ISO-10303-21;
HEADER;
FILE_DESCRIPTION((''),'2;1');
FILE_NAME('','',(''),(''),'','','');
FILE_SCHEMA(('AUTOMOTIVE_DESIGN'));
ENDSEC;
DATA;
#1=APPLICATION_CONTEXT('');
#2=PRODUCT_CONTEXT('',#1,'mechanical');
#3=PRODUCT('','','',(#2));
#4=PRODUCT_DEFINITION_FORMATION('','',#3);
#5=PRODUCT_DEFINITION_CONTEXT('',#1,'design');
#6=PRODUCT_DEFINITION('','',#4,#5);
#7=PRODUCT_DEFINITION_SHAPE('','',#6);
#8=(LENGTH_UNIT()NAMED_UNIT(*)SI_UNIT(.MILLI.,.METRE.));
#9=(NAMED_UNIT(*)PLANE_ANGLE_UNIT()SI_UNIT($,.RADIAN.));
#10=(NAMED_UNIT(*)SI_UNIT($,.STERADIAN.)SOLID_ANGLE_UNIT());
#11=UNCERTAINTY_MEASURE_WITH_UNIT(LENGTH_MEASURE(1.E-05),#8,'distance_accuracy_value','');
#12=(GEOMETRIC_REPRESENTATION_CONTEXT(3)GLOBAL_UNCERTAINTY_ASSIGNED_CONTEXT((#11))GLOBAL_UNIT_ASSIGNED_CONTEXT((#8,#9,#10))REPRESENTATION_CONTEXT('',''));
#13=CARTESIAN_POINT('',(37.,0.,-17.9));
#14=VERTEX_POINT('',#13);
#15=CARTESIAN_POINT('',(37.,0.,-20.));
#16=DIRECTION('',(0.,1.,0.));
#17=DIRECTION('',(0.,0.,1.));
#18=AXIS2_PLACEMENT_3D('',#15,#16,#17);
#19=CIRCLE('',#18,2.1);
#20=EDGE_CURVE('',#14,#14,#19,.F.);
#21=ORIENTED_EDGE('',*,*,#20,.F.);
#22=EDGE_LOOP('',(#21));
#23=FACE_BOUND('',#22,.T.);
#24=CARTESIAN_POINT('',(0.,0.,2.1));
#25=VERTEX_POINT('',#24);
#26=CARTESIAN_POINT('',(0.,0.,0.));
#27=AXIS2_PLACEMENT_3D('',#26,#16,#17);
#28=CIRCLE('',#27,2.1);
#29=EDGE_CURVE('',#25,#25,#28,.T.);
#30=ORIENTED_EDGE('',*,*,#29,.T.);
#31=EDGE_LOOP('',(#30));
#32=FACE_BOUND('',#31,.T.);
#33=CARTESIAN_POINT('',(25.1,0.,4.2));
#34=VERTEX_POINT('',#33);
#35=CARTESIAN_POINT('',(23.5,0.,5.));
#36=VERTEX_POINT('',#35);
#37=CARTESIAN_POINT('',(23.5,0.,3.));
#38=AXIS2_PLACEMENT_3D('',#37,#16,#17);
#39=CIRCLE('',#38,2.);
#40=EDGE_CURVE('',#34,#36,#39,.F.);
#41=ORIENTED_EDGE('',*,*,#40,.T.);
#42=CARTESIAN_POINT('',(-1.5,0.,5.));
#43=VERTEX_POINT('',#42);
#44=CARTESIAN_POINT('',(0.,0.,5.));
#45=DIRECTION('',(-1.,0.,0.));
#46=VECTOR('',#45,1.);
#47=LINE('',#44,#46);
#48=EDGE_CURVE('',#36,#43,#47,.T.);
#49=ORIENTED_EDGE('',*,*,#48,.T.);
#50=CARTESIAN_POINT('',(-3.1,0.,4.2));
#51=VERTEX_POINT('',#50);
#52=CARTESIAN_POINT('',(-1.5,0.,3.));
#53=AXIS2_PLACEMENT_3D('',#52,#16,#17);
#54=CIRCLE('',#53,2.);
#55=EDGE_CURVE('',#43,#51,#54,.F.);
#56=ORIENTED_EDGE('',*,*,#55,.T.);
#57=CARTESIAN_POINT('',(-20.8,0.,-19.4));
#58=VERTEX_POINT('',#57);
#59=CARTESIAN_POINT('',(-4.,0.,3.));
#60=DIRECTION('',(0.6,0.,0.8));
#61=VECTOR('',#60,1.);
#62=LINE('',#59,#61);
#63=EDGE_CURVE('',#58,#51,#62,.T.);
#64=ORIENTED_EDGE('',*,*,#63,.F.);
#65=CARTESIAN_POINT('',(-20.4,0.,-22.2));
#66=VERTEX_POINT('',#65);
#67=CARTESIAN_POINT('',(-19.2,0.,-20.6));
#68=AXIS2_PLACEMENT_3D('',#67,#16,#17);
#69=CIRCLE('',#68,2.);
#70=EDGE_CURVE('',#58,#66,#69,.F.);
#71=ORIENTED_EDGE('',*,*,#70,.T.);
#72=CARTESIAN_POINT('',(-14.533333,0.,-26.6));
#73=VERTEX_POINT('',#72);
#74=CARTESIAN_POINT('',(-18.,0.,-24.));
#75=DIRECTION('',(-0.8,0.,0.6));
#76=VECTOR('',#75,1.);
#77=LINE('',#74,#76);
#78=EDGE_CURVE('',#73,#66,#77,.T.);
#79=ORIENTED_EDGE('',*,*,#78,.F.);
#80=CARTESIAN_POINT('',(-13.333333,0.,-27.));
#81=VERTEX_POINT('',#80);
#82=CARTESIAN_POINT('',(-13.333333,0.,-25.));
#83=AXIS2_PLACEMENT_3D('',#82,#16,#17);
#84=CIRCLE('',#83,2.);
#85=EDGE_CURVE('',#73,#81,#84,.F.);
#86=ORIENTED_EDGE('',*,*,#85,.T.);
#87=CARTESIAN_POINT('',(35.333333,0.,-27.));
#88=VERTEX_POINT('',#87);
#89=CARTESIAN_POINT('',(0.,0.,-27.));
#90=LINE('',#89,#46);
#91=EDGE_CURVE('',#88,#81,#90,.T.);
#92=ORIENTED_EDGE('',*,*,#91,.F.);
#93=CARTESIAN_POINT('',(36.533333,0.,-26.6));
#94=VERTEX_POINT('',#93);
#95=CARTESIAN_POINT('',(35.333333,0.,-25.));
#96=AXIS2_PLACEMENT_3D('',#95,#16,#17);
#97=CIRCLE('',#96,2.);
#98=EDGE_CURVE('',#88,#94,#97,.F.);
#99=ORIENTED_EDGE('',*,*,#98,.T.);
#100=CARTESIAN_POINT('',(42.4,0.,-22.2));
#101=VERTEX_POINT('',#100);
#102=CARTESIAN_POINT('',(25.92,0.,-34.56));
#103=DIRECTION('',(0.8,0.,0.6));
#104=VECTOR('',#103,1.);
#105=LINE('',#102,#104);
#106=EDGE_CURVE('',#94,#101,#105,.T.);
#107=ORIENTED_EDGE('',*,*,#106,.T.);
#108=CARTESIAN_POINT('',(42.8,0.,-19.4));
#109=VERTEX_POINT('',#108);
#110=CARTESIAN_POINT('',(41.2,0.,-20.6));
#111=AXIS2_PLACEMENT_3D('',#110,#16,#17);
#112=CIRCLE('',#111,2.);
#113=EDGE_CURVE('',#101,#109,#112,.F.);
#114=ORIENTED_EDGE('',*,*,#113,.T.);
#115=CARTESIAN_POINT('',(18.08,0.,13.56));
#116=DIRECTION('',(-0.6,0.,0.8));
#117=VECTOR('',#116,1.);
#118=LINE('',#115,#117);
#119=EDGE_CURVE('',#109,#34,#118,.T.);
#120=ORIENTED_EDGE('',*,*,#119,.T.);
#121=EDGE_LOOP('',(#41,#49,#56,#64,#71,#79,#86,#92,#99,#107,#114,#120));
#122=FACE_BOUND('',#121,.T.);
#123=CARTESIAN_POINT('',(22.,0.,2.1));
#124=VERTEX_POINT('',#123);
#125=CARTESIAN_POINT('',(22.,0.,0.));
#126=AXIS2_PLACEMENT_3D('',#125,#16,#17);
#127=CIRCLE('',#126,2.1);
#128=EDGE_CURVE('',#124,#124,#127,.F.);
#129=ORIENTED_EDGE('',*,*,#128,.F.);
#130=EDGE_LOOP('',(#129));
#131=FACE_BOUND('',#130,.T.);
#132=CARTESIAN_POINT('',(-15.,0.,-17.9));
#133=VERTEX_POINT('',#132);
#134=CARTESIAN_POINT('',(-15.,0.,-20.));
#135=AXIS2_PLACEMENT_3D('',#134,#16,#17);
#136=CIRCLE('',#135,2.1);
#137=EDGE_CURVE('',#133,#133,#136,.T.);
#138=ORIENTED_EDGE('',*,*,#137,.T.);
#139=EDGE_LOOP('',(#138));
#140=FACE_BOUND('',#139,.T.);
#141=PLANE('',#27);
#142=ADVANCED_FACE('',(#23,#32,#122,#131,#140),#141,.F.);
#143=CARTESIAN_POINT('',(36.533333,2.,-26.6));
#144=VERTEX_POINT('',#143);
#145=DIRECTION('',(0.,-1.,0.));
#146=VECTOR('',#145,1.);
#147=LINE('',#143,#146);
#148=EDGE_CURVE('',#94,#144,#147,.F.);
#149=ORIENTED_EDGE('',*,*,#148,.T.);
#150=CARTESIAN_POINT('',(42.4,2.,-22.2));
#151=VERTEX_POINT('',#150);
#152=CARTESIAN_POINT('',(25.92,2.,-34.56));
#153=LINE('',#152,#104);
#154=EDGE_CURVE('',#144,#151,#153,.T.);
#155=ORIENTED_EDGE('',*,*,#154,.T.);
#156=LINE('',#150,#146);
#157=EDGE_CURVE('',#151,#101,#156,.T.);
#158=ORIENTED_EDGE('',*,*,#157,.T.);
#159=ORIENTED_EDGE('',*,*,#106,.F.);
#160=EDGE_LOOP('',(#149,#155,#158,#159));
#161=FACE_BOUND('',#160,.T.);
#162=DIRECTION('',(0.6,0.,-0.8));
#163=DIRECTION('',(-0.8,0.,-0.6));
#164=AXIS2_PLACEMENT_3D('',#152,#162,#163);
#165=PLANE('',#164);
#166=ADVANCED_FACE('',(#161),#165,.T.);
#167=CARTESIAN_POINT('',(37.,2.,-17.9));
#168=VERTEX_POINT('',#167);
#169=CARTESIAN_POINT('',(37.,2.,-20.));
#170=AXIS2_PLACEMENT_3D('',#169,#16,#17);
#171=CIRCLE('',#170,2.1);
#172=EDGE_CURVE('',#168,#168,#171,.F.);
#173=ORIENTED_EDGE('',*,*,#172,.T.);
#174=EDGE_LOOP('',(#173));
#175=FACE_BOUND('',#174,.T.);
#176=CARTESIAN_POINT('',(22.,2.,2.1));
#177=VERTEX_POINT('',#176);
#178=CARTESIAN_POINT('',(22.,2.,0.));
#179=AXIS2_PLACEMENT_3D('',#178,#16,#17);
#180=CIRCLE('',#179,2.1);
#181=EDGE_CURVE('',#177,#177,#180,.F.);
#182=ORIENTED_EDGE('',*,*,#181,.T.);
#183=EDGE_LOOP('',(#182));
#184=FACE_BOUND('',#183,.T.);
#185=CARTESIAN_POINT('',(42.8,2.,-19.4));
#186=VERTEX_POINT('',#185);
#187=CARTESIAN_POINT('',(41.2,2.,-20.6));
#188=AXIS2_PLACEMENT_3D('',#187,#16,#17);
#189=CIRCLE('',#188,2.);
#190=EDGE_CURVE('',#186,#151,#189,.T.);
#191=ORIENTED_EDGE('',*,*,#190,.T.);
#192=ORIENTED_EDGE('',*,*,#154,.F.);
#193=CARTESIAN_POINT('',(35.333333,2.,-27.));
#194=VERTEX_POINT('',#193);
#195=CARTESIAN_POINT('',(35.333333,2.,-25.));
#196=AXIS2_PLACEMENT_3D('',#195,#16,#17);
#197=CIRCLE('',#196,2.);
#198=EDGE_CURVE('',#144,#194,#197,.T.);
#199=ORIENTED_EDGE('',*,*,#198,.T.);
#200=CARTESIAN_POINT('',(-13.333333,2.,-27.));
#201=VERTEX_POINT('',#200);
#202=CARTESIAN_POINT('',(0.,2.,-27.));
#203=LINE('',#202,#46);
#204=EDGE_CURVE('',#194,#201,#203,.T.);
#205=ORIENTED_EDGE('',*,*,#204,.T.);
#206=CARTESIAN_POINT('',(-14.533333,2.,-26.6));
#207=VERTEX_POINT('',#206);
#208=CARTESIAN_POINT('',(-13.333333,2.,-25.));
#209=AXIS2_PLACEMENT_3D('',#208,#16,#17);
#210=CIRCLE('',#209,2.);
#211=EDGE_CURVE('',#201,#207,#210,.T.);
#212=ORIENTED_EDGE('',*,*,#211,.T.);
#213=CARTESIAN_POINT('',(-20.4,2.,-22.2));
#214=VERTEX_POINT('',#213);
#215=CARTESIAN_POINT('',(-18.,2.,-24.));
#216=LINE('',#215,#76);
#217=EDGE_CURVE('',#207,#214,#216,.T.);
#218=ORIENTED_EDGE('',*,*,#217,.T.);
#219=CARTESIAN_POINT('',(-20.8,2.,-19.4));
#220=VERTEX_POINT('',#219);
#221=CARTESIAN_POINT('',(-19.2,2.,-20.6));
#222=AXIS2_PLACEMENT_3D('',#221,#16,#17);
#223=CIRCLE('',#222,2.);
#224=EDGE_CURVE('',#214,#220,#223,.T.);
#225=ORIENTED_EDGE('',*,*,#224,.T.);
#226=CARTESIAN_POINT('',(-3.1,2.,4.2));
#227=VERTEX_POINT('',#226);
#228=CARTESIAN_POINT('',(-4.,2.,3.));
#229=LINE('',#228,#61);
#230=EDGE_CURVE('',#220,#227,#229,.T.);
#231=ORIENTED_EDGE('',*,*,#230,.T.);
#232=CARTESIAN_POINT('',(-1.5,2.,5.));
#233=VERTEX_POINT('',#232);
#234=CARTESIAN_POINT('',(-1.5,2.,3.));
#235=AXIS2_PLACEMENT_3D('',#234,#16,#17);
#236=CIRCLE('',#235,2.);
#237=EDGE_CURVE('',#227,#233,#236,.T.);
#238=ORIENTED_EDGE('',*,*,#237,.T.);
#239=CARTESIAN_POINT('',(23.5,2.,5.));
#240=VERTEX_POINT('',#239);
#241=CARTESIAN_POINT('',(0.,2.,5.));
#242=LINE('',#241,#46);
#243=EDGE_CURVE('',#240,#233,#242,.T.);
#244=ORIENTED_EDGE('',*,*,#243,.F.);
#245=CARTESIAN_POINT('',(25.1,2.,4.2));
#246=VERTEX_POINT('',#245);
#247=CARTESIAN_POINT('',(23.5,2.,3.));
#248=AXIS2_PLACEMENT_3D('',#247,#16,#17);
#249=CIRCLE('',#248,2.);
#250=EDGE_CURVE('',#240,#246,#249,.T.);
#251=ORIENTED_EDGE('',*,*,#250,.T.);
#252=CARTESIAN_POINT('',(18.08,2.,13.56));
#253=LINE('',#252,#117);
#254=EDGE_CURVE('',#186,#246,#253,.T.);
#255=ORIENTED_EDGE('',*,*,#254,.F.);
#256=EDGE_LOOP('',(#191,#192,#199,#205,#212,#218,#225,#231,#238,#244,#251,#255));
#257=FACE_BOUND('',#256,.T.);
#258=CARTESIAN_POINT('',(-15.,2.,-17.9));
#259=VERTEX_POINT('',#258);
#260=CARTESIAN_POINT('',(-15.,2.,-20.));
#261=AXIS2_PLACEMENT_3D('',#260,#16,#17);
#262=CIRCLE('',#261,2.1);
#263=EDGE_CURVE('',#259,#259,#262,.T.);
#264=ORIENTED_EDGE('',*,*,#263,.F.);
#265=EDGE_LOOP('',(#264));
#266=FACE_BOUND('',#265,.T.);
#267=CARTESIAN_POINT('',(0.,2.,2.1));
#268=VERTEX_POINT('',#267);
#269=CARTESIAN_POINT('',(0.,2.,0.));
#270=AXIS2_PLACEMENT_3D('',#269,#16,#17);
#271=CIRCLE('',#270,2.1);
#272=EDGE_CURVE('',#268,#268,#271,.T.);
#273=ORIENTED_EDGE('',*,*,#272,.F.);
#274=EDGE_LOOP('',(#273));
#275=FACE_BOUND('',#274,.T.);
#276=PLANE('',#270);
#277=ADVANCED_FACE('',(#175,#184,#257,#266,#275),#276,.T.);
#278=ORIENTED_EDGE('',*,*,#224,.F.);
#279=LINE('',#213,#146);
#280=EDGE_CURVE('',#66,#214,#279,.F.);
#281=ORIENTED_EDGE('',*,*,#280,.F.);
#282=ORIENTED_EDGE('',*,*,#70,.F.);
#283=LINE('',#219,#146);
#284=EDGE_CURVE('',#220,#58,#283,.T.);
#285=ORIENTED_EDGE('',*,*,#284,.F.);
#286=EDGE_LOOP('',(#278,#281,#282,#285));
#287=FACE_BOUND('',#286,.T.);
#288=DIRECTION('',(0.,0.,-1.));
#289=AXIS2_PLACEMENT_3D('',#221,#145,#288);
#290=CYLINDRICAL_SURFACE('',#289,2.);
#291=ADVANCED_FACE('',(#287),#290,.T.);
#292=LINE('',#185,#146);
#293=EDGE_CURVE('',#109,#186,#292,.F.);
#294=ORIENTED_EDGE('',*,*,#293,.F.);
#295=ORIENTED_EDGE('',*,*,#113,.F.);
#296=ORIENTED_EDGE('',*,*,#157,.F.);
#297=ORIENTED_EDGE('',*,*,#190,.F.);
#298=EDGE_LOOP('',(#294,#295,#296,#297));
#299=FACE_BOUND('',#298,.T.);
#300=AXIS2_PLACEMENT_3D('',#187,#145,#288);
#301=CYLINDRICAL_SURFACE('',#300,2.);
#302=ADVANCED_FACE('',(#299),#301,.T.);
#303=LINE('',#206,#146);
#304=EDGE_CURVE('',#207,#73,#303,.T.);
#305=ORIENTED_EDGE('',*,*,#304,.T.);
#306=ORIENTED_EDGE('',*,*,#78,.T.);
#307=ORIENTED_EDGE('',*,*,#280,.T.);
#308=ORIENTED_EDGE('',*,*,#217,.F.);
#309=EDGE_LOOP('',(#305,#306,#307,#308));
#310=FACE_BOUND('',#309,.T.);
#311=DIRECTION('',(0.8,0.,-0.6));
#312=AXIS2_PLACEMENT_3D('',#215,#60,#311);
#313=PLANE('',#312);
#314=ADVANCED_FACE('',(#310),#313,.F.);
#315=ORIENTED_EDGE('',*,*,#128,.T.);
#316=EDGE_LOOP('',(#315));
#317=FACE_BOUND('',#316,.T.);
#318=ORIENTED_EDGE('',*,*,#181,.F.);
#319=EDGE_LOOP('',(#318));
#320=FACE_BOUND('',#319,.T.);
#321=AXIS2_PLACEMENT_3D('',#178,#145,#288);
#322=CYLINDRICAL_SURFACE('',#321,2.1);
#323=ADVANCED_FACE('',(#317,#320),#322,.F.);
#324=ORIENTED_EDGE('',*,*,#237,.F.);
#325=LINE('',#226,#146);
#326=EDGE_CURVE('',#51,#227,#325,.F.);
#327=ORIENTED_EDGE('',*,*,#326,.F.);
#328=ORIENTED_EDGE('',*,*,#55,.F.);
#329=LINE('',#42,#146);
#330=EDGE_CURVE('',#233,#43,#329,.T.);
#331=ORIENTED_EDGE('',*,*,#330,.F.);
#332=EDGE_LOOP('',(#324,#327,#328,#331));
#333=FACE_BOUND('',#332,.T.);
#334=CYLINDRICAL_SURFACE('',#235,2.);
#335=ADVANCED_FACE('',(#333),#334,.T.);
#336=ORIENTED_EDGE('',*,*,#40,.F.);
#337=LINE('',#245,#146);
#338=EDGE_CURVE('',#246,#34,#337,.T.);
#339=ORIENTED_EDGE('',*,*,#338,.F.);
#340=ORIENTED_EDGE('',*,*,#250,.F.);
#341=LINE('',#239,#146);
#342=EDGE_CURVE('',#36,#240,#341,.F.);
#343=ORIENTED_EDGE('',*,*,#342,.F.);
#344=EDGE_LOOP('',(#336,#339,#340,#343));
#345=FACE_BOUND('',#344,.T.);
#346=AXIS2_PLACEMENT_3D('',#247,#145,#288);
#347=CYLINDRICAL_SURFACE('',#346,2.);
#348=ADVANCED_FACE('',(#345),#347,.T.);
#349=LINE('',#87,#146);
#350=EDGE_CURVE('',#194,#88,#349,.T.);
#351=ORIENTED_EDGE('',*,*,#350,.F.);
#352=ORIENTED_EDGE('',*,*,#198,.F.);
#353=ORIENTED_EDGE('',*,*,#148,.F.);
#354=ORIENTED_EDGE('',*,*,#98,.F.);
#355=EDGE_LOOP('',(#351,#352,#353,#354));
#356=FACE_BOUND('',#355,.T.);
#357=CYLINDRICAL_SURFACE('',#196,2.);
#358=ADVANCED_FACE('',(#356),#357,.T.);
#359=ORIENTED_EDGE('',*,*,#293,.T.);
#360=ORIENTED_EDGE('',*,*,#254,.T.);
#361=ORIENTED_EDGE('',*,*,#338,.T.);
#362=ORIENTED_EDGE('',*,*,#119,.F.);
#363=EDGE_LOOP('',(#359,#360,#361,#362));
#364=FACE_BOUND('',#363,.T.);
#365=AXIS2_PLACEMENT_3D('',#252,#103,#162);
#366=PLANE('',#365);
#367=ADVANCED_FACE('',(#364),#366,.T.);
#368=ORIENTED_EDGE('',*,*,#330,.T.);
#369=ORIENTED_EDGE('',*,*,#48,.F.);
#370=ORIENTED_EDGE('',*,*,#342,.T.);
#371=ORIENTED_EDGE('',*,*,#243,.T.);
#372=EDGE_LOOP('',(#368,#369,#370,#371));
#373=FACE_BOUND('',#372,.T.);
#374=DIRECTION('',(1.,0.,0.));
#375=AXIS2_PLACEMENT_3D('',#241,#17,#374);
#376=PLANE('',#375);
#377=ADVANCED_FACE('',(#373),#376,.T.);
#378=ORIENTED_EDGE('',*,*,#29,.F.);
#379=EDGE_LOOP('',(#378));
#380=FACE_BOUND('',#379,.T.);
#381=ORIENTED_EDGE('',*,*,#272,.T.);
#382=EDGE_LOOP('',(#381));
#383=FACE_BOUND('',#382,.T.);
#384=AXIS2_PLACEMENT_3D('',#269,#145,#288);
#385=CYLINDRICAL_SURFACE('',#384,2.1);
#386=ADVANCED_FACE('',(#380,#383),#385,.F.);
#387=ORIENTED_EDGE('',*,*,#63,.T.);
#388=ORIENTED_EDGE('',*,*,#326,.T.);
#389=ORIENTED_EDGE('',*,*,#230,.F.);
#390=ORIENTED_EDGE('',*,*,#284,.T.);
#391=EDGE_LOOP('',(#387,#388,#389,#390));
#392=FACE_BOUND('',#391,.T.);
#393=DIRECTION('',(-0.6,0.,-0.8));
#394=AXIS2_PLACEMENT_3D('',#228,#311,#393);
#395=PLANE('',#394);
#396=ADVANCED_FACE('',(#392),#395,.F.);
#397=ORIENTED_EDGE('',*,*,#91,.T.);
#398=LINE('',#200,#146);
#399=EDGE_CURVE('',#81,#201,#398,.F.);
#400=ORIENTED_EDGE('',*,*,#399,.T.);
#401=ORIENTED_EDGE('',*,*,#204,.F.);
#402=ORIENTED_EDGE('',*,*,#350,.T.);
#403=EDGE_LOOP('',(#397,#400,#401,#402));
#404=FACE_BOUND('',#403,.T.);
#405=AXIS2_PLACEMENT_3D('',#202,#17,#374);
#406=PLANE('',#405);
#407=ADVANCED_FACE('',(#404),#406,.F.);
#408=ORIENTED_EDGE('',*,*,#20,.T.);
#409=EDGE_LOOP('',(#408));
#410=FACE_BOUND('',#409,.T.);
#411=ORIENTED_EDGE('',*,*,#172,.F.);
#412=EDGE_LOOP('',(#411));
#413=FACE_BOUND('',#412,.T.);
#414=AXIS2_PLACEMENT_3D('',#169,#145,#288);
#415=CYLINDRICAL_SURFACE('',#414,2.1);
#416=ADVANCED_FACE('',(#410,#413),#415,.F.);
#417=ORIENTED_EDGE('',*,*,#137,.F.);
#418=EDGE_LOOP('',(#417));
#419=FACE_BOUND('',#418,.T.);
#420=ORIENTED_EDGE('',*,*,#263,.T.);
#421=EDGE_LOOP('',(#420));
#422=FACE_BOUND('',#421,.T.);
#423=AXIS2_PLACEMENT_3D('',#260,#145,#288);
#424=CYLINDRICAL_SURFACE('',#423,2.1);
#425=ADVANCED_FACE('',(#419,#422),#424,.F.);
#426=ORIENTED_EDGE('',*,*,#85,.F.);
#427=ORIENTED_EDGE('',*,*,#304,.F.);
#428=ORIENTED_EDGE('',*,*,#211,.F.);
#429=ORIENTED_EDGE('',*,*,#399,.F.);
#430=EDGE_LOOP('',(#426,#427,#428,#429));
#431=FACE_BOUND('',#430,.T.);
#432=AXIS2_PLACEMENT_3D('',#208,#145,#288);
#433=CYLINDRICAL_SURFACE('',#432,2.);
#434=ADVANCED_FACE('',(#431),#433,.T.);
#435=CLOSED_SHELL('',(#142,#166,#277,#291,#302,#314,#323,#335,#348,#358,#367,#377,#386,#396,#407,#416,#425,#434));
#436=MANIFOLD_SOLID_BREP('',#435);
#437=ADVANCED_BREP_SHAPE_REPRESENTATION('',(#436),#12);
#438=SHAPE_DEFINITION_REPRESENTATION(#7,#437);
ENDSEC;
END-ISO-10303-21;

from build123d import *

# Parameters (mm, degrees)
SKETCH_1_R      = 2.1
EXTRUDE_2_DEPTH = 2
FILLET_1_R      = 2


with BuildPart() as part:
    # ｽｹｯﾁ1 → ﾎﾞｽ - 押し出し2 (new body)
    with BuildSketch(Plane(origin=(0, 0, 0), x_dir=(1, 0, 0), z_dir=(0, 1, 0))):
        Polygon((36, 27), (-14, 27), (-22, 21), (-2.5, -5), (1.666666667, -5), (20, -5), (24.5, -5), (44, 21), align=None)
        with Locations(Location((0, 0, 0), (0, 0, 270))):
            Circle(SKETCH_1_R, mode=Mode.SUBTRACT)
        with BuildLine():
            ThreePointArc((20, -0.640312424), (19.9, 0), (20, 0.640312424))
            ThreePointArc((20, 0.640312424), (24.1, 0), (20, -0.640312424))
        make_face(mode=Mode.SUBTRACT)
        with Locations(Location((-15, 20, 0), (0, 0, 270))):
            Circle(SKETCH_1_R, mode=Mode.SUBTRACT)
        with Locations(Location((37, 20, 0), (0, 0, 270))):
            Circle(SKETCH_1_R, mode=Mode.SUBTRACT)
    extrude(amount=EXTRUDE_2_DEPTH)

    # ﾌｨﾚｯﾄ1
    fillet_1_edges = [part.edges().sort_by_distance(p)[0] for p in [
        (-22, 1, -21),
        (-14, 1, -27),
        (36, 1, -27),
        (44, 1, -21),
        (24.5, 1, 5),
        (-2.5, 1, 5),
    ]]
    fillet(fillet_1_edges, radius=FILLET_1_R)


solid = part.part
